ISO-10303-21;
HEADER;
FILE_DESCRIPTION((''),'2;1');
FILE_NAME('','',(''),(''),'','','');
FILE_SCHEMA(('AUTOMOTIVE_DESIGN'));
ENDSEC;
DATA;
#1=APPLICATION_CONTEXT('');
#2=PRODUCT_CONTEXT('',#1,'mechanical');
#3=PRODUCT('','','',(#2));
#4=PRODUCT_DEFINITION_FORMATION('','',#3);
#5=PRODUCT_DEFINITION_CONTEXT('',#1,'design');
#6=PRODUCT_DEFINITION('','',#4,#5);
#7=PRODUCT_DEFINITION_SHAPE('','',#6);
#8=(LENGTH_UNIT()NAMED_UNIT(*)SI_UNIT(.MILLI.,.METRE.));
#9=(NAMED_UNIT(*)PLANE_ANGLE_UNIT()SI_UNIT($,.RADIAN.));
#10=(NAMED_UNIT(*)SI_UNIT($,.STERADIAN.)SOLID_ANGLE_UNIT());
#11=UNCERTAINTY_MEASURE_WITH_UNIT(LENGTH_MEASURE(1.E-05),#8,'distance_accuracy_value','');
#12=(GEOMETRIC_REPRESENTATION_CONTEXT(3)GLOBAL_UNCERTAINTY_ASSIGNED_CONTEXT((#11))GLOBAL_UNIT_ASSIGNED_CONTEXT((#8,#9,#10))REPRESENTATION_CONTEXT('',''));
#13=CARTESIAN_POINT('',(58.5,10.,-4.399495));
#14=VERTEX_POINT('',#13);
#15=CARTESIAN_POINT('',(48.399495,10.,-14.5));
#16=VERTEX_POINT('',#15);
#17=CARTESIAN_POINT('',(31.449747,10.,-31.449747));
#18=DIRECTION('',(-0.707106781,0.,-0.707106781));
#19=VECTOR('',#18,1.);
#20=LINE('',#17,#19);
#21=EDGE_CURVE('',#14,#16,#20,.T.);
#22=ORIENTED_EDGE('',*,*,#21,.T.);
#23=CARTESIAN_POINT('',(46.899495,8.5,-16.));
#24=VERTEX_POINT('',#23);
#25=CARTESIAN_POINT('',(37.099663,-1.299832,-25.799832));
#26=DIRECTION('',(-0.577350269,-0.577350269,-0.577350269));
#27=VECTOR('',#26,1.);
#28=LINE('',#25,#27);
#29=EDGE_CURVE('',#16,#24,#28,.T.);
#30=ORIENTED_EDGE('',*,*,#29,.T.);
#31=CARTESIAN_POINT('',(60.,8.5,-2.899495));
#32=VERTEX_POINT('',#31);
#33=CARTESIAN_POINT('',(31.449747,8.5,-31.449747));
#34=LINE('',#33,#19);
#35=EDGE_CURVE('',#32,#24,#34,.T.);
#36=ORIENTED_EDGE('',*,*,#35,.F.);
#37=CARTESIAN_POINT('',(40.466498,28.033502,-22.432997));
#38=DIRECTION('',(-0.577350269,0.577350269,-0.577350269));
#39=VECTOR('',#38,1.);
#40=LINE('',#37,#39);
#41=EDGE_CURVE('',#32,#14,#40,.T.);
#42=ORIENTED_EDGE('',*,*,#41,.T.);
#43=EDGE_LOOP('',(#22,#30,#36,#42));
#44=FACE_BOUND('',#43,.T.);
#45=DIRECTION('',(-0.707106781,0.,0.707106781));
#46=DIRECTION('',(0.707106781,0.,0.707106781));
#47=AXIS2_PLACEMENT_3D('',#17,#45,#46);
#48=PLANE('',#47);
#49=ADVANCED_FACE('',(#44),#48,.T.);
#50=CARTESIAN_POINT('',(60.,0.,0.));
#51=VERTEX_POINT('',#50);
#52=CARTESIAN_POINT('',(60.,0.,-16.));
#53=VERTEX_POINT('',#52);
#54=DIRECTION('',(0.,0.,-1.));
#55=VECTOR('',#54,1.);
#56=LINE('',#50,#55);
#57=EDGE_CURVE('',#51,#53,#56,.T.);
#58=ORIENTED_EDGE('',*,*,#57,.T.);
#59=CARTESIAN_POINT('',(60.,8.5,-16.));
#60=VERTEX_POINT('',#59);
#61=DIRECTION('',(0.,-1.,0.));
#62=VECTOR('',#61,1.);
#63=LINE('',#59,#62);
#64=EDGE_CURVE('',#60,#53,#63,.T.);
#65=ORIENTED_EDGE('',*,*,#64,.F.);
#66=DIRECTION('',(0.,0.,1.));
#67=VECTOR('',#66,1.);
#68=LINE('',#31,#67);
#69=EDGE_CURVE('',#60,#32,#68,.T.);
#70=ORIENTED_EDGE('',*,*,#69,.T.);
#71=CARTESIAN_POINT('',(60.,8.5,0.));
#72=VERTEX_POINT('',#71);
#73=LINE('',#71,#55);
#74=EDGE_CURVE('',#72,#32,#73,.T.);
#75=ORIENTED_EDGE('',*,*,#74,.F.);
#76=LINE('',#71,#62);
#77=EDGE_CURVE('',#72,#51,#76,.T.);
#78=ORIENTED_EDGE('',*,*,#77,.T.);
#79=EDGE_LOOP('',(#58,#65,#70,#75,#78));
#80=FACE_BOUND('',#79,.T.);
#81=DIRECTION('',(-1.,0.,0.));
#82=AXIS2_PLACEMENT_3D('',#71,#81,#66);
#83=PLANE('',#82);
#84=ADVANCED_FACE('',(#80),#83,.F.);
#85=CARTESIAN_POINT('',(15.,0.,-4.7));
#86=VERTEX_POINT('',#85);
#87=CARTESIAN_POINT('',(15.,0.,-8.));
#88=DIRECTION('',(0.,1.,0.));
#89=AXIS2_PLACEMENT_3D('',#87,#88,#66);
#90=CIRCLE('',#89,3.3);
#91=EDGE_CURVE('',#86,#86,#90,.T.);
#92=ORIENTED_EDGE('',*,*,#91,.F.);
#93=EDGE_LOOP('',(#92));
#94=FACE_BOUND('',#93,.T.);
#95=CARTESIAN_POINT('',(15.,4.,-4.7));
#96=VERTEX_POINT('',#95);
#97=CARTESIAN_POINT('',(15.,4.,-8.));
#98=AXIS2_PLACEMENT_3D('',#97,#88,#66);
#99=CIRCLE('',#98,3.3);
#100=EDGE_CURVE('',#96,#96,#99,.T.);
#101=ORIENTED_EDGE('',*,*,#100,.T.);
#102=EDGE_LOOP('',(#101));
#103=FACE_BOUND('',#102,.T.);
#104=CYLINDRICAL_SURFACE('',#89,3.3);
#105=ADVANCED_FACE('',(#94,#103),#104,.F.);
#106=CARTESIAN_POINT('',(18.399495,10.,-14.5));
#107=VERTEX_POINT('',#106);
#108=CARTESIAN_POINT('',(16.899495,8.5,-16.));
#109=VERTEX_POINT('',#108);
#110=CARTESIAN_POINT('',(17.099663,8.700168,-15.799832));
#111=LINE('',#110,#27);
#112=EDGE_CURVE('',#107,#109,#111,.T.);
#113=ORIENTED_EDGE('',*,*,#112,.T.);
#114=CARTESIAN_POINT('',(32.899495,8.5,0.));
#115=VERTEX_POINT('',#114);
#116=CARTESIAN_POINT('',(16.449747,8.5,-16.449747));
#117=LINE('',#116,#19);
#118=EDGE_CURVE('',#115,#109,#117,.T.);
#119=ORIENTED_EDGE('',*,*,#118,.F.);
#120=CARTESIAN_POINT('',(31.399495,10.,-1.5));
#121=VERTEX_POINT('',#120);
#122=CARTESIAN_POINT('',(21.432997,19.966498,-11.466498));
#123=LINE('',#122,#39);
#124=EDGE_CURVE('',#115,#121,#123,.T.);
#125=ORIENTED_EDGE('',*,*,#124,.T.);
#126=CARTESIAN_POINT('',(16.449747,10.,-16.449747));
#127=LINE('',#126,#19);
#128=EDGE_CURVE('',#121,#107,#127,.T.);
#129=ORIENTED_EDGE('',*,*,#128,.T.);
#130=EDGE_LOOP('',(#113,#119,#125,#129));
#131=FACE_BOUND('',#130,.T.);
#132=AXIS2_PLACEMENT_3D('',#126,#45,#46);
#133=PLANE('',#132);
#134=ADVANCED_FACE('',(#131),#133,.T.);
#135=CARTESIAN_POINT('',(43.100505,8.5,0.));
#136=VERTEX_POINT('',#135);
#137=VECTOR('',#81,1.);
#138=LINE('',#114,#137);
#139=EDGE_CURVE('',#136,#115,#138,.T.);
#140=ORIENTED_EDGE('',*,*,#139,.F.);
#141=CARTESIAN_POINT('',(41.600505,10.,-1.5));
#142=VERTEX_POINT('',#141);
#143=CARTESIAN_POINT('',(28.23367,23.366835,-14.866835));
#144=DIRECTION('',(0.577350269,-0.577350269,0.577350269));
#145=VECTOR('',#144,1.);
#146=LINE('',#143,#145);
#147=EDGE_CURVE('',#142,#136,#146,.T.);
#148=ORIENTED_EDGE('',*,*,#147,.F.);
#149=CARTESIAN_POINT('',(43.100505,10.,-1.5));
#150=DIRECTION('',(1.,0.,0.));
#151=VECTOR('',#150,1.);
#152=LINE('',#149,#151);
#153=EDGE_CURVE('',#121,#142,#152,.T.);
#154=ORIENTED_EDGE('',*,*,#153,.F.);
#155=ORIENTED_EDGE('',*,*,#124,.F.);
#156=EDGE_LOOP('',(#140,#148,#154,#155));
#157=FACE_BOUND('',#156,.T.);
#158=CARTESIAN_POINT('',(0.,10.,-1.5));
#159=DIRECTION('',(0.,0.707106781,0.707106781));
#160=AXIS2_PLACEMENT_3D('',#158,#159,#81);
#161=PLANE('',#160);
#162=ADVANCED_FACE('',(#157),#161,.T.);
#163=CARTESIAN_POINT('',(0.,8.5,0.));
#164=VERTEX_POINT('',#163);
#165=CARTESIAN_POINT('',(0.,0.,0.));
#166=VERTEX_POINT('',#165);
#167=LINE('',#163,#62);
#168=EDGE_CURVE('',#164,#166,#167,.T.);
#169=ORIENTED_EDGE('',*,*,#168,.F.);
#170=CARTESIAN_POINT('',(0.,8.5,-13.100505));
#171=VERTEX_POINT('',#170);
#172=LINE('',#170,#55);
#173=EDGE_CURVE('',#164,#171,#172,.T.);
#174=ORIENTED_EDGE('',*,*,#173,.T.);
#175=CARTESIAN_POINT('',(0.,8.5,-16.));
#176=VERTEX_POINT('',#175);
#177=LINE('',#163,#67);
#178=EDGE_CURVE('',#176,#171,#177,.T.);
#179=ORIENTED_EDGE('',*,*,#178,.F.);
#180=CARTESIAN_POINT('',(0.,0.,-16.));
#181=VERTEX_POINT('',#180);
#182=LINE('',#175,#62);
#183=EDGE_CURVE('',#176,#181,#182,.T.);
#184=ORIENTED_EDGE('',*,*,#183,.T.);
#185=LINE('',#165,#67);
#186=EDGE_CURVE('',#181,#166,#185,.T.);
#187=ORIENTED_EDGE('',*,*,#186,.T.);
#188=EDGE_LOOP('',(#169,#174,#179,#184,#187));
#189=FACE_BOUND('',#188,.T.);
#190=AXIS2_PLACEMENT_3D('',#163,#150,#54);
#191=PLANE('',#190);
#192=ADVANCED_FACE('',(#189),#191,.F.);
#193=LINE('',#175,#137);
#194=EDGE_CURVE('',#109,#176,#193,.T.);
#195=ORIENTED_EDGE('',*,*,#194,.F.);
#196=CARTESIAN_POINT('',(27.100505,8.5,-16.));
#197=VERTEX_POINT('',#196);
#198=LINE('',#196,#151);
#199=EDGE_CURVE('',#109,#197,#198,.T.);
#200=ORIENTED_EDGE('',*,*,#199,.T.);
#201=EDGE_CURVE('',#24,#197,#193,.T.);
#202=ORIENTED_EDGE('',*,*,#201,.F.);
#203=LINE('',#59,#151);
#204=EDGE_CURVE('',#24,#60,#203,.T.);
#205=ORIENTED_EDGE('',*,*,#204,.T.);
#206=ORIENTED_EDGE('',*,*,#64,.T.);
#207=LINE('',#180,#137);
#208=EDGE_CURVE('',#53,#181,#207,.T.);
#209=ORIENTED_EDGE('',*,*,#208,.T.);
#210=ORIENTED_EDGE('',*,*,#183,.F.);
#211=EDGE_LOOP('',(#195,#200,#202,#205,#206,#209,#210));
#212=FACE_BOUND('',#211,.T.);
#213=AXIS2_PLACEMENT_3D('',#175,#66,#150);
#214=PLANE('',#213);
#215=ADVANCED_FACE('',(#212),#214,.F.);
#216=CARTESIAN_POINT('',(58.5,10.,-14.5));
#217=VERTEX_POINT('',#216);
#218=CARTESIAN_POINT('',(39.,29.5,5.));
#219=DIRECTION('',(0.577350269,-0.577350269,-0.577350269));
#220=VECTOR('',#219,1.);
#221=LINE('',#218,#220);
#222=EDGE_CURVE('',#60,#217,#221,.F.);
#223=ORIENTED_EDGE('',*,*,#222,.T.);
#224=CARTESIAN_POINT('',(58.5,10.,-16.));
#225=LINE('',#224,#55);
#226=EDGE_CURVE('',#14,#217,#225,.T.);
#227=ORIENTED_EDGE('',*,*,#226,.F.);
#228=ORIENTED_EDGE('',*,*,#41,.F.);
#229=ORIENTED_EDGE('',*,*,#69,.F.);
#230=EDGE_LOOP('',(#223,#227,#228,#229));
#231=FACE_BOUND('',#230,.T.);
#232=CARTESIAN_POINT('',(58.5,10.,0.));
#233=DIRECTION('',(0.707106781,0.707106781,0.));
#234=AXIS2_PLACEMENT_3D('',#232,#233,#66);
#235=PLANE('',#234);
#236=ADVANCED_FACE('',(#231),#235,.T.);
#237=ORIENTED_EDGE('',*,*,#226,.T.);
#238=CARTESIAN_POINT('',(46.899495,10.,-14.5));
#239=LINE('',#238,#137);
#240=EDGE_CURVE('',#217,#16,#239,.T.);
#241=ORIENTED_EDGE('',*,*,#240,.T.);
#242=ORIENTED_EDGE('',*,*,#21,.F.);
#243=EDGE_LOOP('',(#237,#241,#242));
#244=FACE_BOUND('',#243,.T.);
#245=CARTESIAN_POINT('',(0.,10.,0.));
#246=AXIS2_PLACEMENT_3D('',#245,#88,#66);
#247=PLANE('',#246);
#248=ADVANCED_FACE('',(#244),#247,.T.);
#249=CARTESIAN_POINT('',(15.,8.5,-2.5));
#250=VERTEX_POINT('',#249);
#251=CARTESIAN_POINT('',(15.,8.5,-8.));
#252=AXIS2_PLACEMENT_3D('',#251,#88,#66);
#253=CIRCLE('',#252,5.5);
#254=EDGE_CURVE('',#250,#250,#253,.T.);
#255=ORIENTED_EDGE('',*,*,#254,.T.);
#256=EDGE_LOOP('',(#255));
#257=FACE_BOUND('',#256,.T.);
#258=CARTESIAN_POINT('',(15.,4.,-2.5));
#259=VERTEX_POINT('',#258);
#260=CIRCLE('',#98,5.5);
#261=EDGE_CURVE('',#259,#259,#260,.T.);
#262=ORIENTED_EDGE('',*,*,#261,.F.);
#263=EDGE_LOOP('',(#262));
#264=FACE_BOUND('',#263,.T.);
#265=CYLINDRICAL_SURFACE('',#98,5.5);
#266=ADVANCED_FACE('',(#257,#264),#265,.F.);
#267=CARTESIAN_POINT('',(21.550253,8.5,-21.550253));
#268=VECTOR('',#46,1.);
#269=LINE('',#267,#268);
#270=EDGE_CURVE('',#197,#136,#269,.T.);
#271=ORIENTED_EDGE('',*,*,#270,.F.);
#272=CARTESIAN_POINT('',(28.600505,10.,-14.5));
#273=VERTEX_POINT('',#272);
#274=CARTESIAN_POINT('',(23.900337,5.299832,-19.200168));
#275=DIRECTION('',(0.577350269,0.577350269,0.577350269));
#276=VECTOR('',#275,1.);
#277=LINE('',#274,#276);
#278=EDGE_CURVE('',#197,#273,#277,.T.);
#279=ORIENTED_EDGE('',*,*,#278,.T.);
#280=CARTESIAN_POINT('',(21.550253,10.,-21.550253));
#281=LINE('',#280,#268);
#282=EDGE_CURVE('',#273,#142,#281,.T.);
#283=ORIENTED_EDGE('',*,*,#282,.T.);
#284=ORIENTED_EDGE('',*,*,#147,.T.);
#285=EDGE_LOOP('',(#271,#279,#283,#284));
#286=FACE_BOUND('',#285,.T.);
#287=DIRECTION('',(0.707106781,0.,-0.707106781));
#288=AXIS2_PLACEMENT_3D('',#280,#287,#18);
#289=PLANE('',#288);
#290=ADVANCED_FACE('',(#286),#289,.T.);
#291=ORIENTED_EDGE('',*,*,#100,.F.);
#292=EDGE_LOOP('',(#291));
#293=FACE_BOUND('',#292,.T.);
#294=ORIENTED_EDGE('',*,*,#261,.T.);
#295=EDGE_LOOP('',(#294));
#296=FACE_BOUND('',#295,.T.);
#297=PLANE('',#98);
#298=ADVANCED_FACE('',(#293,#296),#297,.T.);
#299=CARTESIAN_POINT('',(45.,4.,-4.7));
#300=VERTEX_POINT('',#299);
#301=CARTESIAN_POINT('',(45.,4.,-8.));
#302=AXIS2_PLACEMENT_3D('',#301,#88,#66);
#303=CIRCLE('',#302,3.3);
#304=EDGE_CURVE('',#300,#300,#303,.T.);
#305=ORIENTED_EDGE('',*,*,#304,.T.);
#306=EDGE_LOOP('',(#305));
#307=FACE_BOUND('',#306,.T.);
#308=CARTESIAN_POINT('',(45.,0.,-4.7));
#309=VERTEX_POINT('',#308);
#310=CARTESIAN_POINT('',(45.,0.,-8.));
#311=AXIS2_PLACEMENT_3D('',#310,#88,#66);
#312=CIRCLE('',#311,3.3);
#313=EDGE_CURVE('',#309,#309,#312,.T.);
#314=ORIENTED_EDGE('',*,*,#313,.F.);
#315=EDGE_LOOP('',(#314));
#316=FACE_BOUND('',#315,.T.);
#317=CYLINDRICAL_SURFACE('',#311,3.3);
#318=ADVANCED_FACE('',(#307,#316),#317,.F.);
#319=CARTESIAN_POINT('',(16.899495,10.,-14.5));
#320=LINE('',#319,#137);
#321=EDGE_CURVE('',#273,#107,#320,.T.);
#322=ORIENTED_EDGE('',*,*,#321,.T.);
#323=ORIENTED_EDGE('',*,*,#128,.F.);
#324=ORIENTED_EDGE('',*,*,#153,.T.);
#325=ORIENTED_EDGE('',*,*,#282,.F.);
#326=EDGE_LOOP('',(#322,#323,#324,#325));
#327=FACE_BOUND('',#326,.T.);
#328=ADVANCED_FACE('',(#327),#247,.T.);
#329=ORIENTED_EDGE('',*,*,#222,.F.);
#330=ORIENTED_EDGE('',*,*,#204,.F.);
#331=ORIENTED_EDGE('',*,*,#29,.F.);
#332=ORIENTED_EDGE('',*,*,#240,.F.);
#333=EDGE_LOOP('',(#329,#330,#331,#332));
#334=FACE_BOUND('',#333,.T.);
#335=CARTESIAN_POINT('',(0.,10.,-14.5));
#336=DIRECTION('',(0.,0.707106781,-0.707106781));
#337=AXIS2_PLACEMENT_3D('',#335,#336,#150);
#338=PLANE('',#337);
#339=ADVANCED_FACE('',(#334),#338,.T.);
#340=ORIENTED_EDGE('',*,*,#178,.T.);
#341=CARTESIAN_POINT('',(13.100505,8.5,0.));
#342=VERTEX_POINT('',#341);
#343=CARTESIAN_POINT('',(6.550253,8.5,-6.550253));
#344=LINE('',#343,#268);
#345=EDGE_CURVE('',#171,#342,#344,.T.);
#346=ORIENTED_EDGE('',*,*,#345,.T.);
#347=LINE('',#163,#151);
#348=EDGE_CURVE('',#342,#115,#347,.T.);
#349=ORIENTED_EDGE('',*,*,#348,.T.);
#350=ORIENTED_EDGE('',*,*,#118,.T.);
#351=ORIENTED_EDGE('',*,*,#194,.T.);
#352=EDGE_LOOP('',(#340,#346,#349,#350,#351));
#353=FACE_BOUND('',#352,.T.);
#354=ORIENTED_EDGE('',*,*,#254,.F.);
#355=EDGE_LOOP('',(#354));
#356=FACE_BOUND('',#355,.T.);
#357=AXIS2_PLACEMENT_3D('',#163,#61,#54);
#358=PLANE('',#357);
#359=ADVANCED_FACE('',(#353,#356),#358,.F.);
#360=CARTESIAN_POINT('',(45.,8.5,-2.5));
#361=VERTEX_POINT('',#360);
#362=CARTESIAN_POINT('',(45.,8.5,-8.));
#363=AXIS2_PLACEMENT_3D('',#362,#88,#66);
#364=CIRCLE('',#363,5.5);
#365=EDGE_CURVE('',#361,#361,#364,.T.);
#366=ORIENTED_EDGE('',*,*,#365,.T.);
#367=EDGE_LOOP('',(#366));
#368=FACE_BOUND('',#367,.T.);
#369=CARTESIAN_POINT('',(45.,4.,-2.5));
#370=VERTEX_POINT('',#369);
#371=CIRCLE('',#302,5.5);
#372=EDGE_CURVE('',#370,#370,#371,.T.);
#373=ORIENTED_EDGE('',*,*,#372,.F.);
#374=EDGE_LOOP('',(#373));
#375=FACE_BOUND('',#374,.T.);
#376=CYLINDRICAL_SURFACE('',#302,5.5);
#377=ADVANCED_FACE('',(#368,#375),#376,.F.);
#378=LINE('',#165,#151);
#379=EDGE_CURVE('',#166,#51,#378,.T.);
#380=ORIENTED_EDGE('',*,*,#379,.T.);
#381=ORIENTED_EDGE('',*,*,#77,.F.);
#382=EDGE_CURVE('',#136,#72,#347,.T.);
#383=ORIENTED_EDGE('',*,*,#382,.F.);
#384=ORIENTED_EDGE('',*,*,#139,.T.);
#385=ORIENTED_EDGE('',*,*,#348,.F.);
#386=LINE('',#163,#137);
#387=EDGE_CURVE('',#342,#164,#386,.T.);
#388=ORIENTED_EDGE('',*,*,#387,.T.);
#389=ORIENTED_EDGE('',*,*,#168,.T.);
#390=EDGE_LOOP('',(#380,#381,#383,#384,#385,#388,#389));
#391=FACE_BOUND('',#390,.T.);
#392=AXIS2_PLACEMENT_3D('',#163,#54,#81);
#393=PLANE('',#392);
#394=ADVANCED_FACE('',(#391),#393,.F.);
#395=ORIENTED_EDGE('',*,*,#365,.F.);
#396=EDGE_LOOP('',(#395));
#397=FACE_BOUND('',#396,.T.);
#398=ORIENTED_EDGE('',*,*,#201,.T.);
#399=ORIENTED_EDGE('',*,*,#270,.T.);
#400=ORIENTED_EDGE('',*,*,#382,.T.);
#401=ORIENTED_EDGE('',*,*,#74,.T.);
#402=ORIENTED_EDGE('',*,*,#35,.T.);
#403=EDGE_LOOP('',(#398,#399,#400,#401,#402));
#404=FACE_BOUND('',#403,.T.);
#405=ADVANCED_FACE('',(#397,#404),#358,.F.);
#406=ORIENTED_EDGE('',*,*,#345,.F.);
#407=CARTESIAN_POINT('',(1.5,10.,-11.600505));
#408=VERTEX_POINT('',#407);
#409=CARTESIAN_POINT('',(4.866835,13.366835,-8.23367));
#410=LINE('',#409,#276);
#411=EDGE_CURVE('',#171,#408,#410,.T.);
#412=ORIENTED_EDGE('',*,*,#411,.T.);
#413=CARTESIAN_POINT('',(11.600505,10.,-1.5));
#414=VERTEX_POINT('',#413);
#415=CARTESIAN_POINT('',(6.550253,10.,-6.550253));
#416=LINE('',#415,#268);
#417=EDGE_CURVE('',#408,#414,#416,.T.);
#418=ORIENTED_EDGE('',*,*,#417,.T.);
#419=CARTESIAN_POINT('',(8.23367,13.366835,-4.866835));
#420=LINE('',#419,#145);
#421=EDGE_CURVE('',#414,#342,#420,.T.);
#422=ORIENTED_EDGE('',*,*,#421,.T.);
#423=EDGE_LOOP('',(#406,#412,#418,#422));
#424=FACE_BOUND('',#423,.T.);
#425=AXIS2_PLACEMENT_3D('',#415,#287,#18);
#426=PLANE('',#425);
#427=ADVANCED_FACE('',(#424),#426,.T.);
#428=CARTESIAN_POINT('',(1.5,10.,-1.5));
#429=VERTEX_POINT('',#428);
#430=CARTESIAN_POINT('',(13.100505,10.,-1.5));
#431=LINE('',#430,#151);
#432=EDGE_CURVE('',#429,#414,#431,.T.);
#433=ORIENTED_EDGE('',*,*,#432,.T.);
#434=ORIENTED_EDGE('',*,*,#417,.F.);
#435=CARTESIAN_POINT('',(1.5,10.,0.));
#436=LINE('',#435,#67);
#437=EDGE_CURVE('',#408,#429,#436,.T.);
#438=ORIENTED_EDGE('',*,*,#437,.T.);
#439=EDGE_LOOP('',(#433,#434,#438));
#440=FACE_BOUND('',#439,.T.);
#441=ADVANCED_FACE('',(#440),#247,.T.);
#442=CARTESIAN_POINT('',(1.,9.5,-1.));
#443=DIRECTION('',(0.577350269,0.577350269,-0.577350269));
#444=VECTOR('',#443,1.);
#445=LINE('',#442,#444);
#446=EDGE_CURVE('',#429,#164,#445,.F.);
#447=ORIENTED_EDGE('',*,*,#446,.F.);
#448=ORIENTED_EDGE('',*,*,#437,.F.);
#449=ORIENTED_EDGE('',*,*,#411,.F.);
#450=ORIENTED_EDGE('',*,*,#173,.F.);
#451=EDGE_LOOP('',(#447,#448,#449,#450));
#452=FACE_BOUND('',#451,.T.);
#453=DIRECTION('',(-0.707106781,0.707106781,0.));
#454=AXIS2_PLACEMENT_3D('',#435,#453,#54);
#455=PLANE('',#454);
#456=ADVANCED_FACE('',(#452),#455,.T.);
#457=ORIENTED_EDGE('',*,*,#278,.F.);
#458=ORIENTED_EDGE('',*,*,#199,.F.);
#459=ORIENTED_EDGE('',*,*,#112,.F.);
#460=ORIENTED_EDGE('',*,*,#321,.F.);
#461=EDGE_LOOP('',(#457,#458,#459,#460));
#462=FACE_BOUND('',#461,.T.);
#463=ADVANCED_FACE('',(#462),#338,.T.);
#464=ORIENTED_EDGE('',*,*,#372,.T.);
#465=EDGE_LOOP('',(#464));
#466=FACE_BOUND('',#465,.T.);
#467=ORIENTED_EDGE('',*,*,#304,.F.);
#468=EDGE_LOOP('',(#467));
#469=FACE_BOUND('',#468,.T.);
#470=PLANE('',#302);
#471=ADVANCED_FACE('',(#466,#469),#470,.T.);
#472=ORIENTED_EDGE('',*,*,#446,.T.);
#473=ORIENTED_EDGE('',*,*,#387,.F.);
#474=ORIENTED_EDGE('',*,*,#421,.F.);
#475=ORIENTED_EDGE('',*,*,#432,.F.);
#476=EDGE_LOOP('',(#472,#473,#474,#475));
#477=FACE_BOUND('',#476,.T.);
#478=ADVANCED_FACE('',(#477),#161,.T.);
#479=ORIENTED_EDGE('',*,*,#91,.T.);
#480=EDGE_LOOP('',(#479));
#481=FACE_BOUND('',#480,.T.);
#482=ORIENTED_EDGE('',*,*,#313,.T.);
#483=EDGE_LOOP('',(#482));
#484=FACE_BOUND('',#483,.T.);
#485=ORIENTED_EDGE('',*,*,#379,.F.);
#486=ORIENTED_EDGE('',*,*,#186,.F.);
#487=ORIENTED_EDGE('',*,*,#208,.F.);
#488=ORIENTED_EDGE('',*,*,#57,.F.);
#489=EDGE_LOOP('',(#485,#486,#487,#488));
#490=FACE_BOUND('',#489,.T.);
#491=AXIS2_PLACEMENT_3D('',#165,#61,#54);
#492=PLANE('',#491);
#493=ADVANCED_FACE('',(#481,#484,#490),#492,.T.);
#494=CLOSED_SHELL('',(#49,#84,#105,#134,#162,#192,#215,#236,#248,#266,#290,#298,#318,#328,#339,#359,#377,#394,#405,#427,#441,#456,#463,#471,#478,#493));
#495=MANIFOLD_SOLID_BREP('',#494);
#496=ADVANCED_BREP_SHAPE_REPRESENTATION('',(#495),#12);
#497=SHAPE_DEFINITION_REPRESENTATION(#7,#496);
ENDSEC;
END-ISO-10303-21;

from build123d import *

# Parameters (mm, degrees)
SKETCH_1_W          = 60
SKETCH_1_H          = 16
EXTRUDE_1_DEPTH     = 8.5
SKETCH_2_R          = 5.5
CUT_EXTRUDE_1_DEPTH = 4.5
EXTRUDE_2_DEPTH     = 1.5
SKETCH_3_R          = 3.3
CUT_EXTRUDE_2_DEPTH = 5
CHAMFER_1_SIZE      = 1.5


with BuildPart() as part:
    # 草图1 → 凸台-拉伸1 (new body)
    with BuildSketch(Plane(origin=(0, 0, 0), x_dir=(1, 0, 0), z_dir=(0, 1, 0))):
        with Locations((30, 8)):
            Rectangle(SKETCH_1_W, SKETCH_1_H)
    extrude(amount=EXTRUDE_1_DEPTH)

    # 草图2 → 切除-拉伸1 (cut)
    with BuildSketch(Plane(origin=(0, 8.5, 0), x_dir=(1, 0, 0), z_dir=(0, 1, 0))):
        with Locations((15, 8)):
            Circle(SKETCH_2_R)
        with Locations((45, 8)):
            Circle(SKETCH_2_R)
    extrude(amount=-CUT_EXTRUDE_1_DEPTH, mode=Mode.SUBTRACT)

    # 草图2<3> → 凸台-拉伸2 (add)
    with BuildSketch(Plane(origin=(0, 8.5, 0), x_dir=(1, 0, 0), z_dir=(0, 1, 0))):
        Polygon((0, 13.100505063), (0, 0), (13.100505063, 0), align=None)
        Polygon((16.899494937, 16), (32.899494937, 0), (43.100505063, 0), (27.100505063, 16), align=None)
        Polygon((46.899494937, 16), (60, 2.899494937), (60, 16), align=None)
    extrude(amount=EXTRUDE_2_DEPTH)

    # 草图3 → 切除-拉伸2 (cut, through all)
    with BuildSketch(Plane(origin=(0, 4, 0), x_dir=(1, 0, 0), z_dir=(0, 1, 0))):
        with Locations((15, 8)):
            Circle(SKETCH_3_R)
        with Locations((45, 8)):
            Circle(SKETCH_3_R)
    extrude(amount=-CUT_EXTRUDE_2_DEPTH, mode=Mode.SUBTRACT)

    # 倒角1
    chamfer_1_edges = [part.edges().sort_by_distance(p)[0] for p in [
        (6.550252532, 10, 0),
        (0, 10, -6.550252532),
        (22, 10, -16),
        (38, 10, 0),
        (60, 10, -9.449747468),
        (53.449747468, 10, -16),
    ]]
    chamfer(chamfer_1_edges, length=CHAMFER_1_SIZE)


solid = part.part
